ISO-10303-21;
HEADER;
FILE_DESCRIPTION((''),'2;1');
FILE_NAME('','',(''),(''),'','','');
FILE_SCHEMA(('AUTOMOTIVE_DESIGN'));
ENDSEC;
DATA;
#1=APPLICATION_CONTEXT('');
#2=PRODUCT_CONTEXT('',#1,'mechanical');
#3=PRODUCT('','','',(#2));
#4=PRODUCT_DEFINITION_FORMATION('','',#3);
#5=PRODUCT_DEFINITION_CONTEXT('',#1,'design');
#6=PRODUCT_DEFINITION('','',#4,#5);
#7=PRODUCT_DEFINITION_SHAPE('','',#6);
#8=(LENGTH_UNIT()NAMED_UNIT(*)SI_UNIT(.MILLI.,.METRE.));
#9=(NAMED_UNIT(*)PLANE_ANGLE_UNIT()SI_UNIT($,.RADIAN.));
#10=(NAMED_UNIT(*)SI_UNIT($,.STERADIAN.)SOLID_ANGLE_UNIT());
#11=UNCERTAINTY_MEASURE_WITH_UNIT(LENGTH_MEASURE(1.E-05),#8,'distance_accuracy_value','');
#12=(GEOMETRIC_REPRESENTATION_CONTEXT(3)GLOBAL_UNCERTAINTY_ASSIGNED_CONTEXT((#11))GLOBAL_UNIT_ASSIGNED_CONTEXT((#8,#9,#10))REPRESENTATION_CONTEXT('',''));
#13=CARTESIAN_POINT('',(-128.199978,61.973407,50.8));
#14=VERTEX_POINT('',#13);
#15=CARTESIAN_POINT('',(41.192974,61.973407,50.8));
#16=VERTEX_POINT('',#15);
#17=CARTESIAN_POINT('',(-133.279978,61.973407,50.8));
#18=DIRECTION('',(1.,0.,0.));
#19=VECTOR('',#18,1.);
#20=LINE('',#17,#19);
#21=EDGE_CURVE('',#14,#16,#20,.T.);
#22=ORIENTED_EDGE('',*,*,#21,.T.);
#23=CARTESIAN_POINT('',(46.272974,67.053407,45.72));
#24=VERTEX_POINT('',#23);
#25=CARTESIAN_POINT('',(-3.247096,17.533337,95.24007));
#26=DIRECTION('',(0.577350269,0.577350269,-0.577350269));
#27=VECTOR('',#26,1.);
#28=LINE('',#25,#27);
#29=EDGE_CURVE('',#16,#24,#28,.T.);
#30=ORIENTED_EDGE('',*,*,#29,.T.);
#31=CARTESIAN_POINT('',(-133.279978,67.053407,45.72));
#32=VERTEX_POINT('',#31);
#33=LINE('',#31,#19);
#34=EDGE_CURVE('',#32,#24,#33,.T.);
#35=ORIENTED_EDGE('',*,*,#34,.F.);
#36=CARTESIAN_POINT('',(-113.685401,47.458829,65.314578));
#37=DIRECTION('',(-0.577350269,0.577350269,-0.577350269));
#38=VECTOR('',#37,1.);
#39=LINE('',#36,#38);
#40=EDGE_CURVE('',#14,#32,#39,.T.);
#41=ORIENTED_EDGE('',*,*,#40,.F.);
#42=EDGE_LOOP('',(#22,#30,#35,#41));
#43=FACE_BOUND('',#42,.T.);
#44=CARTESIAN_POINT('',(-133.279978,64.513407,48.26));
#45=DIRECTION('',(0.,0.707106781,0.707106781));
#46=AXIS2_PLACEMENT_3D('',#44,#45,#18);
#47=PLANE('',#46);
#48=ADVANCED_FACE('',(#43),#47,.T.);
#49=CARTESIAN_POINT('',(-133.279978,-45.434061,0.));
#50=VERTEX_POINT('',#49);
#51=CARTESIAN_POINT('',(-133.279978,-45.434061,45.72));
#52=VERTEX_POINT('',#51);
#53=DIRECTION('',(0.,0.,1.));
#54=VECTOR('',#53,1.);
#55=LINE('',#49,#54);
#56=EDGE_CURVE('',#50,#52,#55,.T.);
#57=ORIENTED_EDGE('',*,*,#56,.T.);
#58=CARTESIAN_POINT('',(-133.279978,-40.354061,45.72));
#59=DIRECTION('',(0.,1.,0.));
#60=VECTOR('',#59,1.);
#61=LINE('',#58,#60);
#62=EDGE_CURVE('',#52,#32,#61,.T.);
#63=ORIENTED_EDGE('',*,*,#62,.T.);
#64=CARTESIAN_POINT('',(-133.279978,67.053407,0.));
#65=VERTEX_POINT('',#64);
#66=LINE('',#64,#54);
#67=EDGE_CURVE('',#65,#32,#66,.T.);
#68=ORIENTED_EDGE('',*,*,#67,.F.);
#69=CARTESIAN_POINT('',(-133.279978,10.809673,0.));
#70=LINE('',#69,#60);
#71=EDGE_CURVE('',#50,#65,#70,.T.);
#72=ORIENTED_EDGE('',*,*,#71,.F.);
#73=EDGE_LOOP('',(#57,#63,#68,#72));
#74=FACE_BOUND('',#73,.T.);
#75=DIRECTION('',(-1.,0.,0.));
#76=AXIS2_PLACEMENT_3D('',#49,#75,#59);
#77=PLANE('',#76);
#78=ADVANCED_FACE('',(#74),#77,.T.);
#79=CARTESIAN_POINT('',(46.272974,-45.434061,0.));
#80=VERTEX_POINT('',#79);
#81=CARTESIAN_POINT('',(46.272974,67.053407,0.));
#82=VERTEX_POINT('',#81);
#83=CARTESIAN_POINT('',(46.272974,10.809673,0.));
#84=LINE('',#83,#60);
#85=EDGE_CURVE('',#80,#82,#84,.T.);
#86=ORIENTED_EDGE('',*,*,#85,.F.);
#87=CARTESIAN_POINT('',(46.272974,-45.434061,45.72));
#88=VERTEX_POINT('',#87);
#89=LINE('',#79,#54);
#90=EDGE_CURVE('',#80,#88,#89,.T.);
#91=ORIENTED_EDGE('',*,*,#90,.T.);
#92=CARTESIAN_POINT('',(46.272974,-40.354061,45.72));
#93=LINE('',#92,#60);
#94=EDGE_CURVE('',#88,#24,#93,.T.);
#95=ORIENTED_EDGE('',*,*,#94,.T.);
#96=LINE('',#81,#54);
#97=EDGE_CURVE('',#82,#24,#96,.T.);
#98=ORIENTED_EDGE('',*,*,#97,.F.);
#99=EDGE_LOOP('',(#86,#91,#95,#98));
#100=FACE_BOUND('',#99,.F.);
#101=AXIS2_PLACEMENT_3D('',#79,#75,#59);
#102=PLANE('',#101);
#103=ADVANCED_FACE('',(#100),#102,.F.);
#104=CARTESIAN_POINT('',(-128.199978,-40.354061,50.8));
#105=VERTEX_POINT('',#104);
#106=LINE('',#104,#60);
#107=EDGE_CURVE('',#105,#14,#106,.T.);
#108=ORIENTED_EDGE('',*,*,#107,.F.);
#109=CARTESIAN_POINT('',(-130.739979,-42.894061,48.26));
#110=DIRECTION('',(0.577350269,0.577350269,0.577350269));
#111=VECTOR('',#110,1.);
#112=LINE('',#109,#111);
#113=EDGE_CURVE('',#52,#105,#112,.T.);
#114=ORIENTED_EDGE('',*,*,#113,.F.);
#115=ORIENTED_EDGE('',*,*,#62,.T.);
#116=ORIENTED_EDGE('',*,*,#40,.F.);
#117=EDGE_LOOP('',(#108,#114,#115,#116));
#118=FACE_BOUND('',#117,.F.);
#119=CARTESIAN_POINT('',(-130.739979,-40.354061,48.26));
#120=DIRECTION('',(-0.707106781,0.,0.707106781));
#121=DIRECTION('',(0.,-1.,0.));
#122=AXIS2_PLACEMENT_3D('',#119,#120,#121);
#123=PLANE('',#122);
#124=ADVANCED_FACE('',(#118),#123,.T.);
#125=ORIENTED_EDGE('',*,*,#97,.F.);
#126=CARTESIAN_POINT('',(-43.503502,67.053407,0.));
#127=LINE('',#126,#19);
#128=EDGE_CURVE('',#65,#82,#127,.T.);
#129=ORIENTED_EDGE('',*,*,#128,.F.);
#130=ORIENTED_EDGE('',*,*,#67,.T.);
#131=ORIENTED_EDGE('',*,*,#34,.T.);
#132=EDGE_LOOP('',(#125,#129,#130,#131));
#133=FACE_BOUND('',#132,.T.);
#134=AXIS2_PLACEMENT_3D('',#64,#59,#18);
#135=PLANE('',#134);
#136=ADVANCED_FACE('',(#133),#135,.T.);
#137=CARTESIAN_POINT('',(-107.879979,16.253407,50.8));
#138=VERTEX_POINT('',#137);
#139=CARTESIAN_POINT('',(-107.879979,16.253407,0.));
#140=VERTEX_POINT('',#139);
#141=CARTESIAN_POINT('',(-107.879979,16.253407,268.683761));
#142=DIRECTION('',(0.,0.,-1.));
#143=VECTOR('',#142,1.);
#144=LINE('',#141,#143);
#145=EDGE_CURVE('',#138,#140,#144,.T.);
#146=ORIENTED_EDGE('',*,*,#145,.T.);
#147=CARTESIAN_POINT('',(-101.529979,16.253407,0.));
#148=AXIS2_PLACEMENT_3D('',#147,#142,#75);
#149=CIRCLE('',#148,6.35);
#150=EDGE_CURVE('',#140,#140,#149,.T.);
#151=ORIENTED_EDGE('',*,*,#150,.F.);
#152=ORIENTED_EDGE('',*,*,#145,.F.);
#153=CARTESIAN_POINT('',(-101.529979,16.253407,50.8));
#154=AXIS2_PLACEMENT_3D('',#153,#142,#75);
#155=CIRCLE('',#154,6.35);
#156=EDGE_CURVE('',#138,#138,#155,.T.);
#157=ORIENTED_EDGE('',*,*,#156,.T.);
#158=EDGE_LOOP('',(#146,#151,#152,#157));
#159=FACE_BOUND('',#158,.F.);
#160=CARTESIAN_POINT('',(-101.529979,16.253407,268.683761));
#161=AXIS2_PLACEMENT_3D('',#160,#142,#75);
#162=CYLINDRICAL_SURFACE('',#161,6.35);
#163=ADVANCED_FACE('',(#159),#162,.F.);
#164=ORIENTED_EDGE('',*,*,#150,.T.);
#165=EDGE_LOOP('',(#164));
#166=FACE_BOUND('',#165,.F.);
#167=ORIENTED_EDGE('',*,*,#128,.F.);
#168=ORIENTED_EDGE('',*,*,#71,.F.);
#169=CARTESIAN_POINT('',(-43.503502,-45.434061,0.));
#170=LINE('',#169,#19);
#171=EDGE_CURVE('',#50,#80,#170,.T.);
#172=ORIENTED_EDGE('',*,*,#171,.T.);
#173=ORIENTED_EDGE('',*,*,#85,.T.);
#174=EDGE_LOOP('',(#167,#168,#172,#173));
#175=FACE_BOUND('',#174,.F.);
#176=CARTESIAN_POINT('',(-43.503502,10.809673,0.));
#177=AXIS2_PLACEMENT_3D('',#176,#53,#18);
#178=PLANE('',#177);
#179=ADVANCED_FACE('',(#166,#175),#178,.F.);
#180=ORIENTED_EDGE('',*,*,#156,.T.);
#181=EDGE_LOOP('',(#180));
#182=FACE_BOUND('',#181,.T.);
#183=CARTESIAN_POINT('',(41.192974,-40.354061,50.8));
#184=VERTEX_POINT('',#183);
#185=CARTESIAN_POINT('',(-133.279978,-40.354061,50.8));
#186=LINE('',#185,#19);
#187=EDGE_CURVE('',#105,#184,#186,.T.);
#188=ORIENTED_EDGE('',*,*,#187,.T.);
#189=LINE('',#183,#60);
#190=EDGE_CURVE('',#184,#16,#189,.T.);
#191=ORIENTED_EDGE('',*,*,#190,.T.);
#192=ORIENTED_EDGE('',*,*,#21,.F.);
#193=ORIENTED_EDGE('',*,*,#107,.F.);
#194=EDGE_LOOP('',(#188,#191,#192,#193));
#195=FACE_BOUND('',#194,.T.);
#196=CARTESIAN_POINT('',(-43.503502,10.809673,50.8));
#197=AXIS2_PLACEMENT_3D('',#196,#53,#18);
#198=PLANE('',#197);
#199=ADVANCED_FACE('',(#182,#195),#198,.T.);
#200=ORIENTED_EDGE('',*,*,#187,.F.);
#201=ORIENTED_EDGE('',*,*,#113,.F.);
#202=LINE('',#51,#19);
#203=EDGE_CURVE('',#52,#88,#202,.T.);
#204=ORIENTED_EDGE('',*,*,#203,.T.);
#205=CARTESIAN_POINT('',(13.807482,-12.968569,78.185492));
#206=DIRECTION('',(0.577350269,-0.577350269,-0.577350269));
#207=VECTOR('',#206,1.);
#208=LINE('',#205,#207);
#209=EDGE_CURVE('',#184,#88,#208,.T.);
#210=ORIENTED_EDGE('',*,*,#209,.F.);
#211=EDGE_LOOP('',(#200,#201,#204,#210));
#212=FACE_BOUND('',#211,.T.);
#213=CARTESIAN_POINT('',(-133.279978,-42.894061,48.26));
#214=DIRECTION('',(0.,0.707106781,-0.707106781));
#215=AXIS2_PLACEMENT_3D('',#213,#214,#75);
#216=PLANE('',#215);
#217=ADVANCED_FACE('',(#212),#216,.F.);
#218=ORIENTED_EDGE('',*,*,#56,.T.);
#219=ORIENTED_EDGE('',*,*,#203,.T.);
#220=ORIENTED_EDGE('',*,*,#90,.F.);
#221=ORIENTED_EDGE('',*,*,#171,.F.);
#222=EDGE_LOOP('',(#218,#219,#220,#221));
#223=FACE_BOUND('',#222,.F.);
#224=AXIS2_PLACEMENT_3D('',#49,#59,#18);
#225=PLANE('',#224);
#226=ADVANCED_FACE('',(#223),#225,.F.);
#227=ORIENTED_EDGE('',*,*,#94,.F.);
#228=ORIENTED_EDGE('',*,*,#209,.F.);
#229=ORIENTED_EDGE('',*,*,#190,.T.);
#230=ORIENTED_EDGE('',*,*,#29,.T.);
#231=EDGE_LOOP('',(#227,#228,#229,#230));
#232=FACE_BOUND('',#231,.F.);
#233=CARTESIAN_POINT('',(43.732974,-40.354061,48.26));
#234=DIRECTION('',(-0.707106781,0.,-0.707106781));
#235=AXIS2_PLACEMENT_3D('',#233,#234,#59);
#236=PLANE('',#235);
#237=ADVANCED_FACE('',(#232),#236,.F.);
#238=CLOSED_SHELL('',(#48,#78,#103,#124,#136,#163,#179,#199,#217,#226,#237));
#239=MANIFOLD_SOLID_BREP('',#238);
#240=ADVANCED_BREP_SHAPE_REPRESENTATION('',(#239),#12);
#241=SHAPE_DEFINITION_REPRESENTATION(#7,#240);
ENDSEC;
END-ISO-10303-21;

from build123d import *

# Parameters (mm, degrees)
F0_W     = 179.552953
F0_H     = 112.487468
F1_DEPTH = 50.8
F3_D     = 12.7
F4_SIZE  = 5.08
F5_SIZE  = 5.08


with BuildPart() as f1:
    # F0 (on Top) → F1 (new body)
    with BuildSketch(Plane.XY):
        with Locations((-43.503502, 10.809673)):
            Rectangle(F0_W, F0_H)
    extrude(amount=F1_DEPTH)

    # F3 (through all)
    with Locations(Plane.XY.offset(50.8)):
        with Locations((-101.529979, 16.253407)):
            Hole(F3_D / 2)

    # F4
    f4_edges = [f1.edges().sort_by_distance(p)[0] for p in [
        (-43.503502, -45.434061, 50.8),
    ]]
    chamfer(f4_edges, length=F4_SIZE)

    # F5
    f5_edges = [f1.edges().sort_by_distance(p)[0] for p in [
        (46.272974, 13.349673, 50.8),
        (-43.503502, 67.053407, 50.8),
        (-133.279979, 13.349673, 50.8),
    ]]
    chamfer(f5_edges, length=F5_SIZE)


solid = f1.part
